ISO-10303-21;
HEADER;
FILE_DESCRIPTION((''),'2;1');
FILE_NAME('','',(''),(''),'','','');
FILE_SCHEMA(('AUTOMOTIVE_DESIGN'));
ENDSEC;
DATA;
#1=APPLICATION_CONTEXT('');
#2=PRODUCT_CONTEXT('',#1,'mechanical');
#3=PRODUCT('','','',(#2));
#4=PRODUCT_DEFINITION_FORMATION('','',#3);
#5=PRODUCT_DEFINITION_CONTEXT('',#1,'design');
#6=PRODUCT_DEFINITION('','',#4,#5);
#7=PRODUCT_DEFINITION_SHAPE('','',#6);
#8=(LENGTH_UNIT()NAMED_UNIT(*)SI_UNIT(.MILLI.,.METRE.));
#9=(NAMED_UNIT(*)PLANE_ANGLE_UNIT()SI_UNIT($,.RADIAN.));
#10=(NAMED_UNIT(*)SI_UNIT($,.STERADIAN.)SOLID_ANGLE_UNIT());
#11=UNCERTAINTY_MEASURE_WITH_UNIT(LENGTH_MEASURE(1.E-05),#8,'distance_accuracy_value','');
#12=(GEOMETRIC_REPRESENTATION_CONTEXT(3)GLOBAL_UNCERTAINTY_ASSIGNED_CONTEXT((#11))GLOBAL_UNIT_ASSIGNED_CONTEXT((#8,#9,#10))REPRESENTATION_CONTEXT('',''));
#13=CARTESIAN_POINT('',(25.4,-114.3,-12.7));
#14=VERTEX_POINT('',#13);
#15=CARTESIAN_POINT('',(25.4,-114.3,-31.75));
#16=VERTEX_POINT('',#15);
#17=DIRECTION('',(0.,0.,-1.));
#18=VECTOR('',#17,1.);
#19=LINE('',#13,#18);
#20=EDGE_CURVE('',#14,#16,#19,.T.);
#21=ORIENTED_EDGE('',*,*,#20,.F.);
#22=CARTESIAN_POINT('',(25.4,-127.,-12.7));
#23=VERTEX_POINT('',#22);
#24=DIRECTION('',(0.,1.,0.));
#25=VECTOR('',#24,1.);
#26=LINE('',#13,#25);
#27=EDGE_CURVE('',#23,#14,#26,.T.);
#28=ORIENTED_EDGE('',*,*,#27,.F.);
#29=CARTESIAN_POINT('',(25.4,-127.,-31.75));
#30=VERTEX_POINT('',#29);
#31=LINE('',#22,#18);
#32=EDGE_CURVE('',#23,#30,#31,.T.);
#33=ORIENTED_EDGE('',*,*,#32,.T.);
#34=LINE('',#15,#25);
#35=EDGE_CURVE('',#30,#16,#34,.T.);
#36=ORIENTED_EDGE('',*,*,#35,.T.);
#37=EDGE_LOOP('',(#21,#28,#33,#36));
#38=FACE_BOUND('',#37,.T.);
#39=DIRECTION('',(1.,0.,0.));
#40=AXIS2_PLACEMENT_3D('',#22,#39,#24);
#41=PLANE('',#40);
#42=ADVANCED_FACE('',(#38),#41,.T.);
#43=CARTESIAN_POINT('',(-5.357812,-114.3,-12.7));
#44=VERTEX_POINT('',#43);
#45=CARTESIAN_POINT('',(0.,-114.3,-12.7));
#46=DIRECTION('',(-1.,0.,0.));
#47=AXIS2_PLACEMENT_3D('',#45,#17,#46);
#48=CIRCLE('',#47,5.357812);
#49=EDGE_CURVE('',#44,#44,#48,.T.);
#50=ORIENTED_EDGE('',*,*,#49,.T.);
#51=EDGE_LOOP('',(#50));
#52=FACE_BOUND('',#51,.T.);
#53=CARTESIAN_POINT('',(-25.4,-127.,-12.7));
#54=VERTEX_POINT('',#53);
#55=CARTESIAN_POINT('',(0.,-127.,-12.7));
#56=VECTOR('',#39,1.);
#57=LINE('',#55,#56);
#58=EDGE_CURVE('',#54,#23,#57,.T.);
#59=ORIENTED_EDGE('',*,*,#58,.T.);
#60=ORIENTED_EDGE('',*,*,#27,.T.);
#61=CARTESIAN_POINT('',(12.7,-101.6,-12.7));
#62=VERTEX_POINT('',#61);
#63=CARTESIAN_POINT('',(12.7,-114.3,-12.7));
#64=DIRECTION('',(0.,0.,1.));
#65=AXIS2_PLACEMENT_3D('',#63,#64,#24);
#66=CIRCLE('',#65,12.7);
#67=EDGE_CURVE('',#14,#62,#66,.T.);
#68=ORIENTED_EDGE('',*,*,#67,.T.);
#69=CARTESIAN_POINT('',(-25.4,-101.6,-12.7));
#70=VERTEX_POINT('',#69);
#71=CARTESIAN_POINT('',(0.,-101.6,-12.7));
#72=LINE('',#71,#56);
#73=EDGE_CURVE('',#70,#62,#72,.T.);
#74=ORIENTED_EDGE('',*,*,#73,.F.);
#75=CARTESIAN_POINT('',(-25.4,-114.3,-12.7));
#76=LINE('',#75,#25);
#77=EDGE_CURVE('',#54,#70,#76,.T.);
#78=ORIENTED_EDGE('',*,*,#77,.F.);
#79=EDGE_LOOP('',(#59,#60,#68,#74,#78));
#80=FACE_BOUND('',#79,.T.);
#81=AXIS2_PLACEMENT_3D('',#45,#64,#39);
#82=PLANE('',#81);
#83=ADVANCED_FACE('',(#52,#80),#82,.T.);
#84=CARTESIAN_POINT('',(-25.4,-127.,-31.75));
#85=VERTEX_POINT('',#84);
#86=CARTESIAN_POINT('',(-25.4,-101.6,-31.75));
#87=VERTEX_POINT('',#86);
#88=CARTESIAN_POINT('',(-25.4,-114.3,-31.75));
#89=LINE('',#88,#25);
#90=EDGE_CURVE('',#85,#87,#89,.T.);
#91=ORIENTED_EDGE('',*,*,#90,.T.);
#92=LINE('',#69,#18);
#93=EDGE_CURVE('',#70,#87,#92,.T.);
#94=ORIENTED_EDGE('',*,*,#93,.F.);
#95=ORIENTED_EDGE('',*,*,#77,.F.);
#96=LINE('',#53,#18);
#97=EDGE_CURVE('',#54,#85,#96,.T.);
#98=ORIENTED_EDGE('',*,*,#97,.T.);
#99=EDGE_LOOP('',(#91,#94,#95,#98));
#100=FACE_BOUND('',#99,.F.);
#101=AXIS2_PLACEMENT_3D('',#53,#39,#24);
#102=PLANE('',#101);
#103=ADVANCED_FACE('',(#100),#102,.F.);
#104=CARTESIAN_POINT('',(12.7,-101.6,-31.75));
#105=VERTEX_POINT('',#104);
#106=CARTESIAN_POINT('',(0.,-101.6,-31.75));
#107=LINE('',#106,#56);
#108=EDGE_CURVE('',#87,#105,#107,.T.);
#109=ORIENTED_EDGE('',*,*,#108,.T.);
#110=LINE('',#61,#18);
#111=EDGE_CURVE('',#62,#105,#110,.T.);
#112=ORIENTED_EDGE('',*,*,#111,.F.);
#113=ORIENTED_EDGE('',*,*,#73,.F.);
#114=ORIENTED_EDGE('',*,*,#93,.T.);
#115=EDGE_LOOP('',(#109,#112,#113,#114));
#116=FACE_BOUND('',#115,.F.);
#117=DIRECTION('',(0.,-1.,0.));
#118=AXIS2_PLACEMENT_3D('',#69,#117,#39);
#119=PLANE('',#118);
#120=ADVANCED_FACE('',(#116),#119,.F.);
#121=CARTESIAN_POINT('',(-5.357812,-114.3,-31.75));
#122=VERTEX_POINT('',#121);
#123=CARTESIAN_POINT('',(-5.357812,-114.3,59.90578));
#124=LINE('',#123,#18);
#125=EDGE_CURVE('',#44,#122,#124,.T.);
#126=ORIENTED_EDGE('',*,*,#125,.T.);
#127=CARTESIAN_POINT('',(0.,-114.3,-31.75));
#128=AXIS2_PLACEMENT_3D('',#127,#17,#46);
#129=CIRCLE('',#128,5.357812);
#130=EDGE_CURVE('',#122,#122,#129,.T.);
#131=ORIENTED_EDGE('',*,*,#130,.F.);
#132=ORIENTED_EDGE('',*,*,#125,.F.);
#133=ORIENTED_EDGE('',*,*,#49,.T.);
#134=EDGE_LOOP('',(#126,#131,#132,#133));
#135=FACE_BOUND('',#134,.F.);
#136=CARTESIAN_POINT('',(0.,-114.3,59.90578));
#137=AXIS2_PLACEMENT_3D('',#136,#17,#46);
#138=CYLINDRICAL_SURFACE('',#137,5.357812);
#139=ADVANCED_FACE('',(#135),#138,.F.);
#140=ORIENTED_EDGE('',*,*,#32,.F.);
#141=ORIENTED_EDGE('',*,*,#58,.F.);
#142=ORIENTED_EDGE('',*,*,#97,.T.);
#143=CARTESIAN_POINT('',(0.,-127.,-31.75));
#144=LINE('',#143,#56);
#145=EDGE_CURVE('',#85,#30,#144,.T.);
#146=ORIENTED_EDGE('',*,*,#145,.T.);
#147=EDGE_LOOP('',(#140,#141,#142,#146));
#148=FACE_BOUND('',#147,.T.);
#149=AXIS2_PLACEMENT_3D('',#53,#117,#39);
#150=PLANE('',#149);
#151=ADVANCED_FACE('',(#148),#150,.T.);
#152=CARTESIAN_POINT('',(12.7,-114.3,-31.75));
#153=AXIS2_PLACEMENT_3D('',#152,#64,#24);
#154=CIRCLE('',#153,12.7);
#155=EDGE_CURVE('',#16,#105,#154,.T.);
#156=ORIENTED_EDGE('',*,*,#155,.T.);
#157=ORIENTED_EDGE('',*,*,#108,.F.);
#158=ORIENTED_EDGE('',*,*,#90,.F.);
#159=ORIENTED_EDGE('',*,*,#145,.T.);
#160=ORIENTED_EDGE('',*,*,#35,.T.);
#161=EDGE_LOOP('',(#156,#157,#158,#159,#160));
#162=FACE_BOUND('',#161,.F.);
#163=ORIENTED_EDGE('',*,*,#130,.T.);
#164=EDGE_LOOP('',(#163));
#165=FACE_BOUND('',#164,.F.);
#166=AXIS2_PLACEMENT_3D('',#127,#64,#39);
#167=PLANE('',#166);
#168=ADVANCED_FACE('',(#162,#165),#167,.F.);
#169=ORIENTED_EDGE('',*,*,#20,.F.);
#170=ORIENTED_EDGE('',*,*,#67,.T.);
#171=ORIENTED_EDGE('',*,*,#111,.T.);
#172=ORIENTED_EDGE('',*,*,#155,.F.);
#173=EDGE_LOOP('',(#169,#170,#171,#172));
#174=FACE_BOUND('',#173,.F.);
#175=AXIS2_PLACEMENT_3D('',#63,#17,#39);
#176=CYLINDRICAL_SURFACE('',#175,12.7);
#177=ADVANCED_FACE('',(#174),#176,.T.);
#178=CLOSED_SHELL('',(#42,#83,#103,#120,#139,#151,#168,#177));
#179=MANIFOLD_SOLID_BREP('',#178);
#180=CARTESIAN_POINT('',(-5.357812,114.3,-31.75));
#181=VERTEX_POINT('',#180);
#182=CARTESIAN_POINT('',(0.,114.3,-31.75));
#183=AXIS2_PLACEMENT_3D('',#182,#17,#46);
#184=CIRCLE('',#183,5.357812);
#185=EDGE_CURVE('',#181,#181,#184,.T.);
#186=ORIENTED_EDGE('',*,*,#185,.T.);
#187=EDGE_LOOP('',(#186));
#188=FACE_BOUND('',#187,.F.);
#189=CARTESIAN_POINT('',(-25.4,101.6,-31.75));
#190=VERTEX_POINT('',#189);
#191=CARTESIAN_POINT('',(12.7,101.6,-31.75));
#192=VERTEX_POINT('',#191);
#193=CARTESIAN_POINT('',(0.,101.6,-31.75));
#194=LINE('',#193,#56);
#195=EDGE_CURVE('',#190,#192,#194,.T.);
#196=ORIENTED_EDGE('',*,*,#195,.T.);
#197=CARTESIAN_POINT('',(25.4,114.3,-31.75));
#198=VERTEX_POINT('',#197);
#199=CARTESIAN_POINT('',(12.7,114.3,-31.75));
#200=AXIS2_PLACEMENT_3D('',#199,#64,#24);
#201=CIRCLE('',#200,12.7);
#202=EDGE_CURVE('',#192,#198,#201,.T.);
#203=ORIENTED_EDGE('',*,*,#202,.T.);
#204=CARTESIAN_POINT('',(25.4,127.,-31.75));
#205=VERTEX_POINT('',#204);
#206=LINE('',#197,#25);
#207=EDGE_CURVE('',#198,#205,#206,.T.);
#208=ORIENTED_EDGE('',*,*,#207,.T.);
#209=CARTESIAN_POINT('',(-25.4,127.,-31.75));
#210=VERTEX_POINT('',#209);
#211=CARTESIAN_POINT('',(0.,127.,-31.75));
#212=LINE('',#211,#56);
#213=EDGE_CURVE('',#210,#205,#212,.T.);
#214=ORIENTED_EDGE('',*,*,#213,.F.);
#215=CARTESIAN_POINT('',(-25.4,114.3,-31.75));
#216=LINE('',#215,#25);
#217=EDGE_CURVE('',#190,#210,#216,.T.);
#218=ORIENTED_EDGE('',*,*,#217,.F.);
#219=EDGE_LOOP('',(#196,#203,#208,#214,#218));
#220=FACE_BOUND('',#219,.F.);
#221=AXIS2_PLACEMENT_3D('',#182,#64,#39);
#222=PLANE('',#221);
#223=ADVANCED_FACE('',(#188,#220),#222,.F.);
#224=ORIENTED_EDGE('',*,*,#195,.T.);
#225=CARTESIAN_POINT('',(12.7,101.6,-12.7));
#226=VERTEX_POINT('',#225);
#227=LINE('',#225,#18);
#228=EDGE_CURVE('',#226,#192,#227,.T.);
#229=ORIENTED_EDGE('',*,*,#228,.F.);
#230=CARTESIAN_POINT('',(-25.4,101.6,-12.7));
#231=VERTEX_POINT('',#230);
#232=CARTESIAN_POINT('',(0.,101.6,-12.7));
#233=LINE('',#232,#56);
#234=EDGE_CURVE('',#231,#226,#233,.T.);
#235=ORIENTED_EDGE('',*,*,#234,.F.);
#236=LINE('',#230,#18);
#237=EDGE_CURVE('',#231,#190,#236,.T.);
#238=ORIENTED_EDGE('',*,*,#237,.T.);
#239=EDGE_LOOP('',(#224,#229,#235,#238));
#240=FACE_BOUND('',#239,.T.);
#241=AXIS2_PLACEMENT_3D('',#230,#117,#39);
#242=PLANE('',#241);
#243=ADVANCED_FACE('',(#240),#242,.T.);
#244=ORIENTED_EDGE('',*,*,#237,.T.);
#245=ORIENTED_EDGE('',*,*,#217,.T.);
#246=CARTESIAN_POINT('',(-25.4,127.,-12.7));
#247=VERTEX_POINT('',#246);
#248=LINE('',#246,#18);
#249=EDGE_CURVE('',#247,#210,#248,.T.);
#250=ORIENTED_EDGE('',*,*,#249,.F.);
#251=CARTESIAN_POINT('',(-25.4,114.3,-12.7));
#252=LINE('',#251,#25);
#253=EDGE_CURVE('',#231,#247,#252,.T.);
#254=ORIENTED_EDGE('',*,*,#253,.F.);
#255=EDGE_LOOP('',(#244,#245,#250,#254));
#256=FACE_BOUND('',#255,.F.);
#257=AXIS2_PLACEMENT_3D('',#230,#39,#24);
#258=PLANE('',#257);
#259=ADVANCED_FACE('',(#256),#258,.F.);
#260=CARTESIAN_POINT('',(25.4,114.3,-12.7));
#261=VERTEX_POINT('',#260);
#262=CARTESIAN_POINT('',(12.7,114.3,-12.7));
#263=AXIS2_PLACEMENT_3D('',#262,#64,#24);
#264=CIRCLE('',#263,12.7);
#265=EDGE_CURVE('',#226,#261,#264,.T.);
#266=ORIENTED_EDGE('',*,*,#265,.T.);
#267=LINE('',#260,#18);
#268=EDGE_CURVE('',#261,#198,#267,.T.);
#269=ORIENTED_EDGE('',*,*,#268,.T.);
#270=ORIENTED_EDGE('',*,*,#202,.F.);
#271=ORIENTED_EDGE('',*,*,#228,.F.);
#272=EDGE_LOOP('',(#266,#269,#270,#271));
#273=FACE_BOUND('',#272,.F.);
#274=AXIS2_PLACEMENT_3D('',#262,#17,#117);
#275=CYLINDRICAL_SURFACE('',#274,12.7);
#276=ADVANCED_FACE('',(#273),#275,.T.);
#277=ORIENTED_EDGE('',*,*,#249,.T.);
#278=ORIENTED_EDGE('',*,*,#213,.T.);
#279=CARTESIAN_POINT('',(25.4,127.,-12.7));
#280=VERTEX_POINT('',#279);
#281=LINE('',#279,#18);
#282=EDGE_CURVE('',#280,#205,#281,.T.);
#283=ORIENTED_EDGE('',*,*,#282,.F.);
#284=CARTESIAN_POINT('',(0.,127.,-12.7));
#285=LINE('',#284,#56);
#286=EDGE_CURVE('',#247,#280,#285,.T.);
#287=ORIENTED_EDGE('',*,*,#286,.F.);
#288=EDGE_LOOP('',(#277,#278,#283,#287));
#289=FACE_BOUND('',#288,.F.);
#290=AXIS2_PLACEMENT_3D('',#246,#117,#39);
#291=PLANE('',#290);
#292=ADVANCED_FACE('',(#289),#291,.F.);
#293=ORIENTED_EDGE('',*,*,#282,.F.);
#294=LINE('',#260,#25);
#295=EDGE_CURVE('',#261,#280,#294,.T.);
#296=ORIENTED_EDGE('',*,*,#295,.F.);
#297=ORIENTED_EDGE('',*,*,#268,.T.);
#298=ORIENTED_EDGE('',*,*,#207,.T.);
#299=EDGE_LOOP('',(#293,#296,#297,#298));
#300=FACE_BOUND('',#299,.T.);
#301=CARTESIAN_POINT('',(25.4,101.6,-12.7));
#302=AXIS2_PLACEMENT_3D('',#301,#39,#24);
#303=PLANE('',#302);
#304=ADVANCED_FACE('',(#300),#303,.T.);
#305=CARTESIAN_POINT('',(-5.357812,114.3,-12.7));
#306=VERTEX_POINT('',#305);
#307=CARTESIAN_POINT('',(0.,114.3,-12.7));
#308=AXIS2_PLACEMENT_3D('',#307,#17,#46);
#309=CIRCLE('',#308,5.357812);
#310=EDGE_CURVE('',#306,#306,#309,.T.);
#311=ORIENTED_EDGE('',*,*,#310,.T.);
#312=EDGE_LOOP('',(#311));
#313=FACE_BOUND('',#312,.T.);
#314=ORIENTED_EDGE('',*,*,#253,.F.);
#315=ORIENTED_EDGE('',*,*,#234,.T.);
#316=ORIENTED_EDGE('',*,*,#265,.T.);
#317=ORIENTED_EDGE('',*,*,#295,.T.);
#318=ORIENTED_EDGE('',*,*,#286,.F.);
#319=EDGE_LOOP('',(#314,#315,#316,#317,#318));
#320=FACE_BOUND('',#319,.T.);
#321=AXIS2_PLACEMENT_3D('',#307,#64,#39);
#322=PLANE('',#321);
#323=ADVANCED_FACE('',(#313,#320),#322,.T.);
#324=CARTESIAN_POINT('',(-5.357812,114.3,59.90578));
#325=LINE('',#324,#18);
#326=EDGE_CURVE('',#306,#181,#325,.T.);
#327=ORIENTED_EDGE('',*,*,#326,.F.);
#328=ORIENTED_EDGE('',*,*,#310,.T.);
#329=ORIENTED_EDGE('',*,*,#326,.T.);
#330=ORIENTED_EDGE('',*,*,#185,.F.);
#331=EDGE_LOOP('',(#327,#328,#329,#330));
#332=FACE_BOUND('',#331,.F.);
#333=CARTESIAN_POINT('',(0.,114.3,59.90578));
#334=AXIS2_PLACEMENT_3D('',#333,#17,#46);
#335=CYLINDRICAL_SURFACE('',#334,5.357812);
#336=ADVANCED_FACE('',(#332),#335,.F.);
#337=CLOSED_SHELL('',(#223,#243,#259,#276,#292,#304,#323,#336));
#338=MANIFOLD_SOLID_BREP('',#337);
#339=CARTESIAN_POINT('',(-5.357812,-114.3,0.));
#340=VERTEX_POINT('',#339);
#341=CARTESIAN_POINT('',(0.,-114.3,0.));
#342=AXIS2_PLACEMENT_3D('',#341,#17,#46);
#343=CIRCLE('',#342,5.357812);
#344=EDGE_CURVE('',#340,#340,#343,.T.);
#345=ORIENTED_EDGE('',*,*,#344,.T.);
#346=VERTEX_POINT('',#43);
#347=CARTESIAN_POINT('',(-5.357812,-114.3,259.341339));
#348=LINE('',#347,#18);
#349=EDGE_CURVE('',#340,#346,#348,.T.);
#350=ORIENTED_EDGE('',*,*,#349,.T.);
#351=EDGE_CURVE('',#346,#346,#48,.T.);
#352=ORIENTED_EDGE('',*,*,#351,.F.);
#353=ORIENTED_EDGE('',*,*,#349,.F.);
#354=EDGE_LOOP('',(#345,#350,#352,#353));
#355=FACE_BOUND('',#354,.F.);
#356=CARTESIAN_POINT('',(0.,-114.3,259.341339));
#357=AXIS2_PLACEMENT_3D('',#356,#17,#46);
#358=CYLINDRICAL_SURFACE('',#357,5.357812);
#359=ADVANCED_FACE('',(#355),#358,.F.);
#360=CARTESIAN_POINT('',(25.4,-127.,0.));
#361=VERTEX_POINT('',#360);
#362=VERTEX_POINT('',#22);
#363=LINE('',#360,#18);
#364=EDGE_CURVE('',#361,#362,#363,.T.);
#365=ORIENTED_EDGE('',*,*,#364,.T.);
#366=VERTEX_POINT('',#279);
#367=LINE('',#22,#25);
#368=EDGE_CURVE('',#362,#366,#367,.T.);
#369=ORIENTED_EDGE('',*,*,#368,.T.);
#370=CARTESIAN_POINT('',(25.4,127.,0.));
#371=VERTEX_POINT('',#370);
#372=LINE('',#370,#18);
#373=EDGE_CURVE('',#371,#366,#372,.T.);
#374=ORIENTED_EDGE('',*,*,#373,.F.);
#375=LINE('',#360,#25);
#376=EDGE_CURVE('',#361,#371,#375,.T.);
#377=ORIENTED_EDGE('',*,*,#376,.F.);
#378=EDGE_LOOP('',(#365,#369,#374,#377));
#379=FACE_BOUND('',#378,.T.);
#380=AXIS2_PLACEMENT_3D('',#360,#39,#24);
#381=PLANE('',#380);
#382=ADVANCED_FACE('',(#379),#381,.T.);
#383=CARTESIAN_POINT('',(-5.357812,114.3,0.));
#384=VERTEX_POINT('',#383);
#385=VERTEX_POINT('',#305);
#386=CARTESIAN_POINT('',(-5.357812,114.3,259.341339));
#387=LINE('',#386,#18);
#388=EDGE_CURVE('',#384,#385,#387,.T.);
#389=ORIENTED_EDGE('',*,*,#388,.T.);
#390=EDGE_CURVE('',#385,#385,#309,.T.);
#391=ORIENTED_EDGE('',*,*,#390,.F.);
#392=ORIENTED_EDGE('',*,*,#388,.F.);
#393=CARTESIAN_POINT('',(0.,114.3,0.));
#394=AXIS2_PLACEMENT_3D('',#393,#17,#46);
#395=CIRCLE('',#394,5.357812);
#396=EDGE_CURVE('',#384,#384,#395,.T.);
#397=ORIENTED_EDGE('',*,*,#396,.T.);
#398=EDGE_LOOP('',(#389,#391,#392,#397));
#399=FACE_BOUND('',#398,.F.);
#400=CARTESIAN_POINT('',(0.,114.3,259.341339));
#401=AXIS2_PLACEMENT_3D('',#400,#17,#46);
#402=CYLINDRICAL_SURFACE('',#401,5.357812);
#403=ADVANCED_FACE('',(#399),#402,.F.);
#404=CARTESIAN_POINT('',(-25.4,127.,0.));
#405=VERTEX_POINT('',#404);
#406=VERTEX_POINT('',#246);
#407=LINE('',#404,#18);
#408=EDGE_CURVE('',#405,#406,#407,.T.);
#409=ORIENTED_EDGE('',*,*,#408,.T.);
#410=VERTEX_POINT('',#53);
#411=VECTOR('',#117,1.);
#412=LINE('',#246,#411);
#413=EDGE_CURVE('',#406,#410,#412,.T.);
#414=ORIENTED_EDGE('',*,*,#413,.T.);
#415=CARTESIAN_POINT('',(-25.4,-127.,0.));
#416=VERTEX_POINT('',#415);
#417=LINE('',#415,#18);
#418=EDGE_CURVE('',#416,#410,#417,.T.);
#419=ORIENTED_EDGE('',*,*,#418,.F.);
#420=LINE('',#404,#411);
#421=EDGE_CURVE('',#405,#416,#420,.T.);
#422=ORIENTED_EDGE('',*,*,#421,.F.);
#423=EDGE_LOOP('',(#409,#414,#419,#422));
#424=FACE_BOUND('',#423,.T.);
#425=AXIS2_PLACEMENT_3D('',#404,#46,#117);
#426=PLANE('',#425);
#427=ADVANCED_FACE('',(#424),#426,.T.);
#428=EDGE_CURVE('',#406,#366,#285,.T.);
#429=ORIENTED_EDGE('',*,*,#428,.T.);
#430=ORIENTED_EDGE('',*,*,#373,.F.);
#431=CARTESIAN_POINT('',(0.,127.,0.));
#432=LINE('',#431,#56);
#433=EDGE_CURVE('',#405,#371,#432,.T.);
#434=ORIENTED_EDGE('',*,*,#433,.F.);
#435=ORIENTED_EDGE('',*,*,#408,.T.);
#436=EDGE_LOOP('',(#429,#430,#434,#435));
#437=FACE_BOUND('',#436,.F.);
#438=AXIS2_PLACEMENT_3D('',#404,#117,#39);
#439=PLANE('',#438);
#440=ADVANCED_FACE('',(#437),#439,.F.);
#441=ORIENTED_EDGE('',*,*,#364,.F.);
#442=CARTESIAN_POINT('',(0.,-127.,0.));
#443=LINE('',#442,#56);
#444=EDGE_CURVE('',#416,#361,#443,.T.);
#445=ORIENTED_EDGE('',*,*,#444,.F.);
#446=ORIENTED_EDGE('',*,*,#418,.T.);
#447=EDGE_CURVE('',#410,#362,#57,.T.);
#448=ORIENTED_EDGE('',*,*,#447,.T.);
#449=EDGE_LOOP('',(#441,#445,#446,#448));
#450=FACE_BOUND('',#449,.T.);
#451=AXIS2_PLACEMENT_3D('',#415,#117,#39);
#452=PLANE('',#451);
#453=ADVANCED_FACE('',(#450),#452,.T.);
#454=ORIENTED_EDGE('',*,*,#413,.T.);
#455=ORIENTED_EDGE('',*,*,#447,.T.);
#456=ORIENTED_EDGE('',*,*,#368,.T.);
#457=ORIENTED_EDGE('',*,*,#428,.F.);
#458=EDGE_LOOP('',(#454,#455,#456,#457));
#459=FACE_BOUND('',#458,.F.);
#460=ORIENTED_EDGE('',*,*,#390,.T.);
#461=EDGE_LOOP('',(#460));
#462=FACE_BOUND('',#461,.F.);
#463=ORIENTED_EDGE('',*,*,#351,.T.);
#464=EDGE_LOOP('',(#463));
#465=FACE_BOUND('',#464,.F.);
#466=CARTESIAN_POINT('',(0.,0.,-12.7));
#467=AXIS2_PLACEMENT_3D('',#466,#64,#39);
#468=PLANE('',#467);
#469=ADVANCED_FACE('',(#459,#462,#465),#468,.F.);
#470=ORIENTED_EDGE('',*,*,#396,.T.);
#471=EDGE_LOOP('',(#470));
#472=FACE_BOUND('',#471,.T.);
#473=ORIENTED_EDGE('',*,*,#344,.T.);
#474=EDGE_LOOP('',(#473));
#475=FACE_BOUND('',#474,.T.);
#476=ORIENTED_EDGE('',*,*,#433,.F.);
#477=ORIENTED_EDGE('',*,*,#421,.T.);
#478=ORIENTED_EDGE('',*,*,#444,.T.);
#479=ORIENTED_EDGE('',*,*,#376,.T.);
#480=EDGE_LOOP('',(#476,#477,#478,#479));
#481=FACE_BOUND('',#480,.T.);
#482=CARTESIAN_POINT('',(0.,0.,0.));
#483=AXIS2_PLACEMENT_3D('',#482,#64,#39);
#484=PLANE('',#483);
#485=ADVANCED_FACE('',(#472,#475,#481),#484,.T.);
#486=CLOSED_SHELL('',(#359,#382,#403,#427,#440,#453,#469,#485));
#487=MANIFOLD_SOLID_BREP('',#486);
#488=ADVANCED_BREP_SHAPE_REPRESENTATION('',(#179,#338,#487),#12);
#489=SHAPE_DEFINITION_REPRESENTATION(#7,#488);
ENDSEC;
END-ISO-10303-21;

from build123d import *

# Parameters (mm, degrees)
F1_START = -12.7
F0_W     = 50.8
F0_H     = 25.4
F1_DEPTH = 19.05
F0_H_2   = 203.2
F2_DEPTH = 12.7
F4_R     = 12.7
F4_2_R   = 12.7
F5_D     = 10.715625
F5_2_D   = 10.715625
F5_3_D   = 10.715625


with BuildPart() as f1:
    # F0 (on Top) → F1 (new body)
    with BuildSketch(Plane.XY.offset(F1_START)):
        with Locations((0, 114.3)):
            Rectangle(F0_W, F0_H)
    extrude(amount=-F1_DEPTH)

    # F4#2
    f4_2_edges = [f1.edges().sort_by_distance(p)[0] for p in [
        (25.4, 101.6, -22.225),
    ]]
    fillet(f4_2_edges, radius=F4_2_R)

    # F5 (through all)
    with Locations(Plane.XY):
        with Locations((0, 114.3), (0, -114.3)):
            Hole(F5_D / 2)


with BuildPart() as f1b:
    # F0 (on Top) → F1, piece 2 (new body)
    with BuildSketch(Plane.XY.offset(F1_START)):
        with Locations((0, -114.3)):
            Rectangle(F0_W, F0_H)
    extrude(amount=-F1_DEPTH)

    # F4
    f4_edges = [f1b.edges().sort_by_distance(p)[0] for p in [
        (25.4, -101.6, -22.225),
    ]]
    fillet(f4_edges, radius=F4_R)

    # F5#2 (through all)
    with Locations(Plane.XY):
        with Locations((0, 114.3), (0, -114.3)):
            Hole(F5_2_D / 2)


with BuildPart() as f2:
    # F0 (on Top) → F2 (new body)
    with BuildSketch(Plane.XY):
        Rectangle(F0_W, F0_H_2)
        with Locations((0, 114.3)):
            Rectangle(F0_W, F0_H)
        with Locations((0, -114.3)):
            Rectangle(F0_W, F0_H)
    extrude(amount=-F2_DEPTH)

    # F5#3 (through all)
    with Locations(Plane.XY):
        with Locations((0, 114.3), (0, -114.3)):
            Hole(F5_3_D / 2)


solid = Compound([f1.part, f1b.part, f2.part])
